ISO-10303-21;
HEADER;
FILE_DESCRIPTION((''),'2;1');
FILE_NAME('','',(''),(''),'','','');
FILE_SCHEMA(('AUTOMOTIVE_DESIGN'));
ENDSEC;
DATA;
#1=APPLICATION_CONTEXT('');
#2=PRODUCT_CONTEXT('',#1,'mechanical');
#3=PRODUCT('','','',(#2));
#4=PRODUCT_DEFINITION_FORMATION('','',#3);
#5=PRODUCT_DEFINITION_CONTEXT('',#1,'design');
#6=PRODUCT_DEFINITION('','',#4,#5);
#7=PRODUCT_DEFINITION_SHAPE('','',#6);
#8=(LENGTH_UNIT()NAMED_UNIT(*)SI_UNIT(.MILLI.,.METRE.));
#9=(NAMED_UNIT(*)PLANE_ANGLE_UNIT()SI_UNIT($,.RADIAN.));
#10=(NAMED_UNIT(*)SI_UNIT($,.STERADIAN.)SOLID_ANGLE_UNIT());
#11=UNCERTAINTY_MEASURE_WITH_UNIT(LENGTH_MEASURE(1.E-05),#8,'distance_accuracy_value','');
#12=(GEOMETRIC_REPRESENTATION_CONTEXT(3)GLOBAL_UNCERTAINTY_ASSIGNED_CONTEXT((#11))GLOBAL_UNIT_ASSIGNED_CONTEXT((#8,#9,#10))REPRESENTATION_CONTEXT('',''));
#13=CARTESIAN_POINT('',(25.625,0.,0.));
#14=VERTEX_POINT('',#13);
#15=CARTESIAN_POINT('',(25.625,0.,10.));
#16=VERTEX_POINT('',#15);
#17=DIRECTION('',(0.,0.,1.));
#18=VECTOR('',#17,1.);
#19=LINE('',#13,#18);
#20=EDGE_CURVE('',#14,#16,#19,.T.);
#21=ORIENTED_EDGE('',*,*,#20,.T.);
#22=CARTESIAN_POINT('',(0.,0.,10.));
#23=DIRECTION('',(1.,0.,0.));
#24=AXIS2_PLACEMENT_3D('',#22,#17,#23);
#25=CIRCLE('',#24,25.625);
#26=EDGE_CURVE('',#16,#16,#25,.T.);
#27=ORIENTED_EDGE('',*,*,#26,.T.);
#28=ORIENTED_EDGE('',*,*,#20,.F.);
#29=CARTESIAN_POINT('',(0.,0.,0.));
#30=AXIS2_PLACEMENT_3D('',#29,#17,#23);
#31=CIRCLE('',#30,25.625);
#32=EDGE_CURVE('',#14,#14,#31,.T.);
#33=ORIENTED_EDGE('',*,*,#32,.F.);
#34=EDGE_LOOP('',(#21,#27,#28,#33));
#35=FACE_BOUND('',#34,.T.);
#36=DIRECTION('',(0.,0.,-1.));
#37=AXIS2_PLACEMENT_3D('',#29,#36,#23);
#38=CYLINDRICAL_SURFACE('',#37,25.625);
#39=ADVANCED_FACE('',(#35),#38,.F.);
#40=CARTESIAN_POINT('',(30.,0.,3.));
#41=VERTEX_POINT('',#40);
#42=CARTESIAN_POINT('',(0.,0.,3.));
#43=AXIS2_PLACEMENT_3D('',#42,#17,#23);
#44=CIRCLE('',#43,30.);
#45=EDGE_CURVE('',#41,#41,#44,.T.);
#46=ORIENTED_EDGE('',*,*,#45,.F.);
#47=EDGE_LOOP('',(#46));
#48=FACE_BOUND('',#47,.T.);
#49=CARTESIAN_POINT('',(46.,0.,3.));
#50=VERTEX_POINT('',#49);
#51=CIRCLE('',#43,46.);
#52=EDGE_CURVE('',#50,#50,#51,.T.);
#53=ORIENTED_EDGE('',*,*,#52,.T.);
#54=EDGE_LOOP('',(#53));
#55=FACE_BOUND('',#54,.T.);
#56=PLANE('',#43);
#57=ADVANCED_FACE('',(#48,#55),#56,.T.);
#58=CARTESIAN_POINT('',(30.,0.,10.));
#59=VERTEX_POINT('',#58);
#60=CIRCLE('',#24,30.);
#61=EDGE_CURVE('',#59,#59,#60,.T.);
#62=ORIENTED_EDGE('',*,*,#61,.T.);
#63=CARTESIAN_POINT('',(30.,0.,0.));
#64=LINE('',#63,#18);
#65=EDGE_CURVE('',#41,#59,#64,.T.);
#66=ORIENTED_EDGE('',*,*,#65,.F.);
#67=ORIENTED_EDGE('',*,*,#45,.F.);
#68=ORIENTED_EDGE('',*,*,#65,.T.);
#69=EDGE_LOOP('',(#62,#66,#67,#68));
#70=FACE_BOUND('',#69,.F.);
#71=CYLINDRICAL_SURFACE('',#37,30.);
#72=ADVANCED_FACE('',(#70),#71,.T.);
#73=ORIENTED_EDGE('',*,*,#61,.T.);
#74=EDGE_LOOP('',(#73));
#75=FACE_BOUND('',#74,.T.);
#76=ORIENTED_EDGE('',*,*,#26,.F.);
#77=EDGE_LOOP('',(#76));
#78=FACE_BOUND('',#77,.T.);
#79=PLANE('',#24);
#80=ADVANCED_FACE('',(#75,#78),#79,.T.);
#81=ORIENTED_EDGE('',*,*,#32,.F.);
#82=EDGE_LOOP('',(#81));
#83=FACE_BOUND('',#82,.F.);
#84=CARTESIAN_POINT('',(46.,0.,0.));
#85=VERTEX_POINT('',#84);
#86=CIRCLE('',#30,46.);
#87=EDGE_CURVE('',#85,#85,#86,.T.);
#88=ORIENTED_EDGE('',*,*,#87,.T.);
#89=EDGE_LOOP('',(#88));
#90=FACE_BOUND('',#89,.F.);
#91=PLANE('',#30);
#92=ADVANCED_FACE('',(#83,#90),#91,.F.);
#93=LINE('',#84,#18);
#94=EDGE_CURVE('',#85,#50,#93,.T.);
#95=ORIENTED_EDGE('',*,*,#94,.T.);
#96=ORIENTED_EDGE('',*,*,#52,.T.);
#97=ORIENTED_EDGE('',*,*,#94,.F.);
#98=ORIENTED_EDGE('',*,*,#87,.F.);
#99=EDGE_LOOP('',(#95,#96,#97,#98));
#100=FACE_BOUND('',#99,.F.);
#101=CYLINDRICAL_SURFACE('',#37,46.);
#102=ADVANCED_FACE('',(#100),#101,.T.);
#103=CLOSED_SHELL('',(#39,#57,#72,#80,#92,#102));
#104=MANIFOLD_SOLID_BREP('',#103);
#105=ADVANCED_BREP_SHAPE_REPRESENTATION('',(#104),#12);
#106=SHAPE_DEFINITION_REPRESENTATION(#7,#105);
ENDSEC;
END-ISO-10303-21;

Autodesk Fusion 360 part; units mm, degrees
sketch "Esquisse1" plane through (0, 0, 0) normal (0, 0, 1) x (1, 0, 0)
  circle A0 centre (0, 0) radius 25.625
  circle A1 centre (0, 0) radius 30
  circle A2 centre (0, 0) radius 46
  dimension "d1" = 51.25
  dimension "d2" = 60
  dimension "d3" = 92
extrude "Extrusion1" add sketch "Esquisse1" along normal blind 3 contours A2
extrude "Extrusion2" add sketch "Esquisse1" along normal blind 10 contours A1
